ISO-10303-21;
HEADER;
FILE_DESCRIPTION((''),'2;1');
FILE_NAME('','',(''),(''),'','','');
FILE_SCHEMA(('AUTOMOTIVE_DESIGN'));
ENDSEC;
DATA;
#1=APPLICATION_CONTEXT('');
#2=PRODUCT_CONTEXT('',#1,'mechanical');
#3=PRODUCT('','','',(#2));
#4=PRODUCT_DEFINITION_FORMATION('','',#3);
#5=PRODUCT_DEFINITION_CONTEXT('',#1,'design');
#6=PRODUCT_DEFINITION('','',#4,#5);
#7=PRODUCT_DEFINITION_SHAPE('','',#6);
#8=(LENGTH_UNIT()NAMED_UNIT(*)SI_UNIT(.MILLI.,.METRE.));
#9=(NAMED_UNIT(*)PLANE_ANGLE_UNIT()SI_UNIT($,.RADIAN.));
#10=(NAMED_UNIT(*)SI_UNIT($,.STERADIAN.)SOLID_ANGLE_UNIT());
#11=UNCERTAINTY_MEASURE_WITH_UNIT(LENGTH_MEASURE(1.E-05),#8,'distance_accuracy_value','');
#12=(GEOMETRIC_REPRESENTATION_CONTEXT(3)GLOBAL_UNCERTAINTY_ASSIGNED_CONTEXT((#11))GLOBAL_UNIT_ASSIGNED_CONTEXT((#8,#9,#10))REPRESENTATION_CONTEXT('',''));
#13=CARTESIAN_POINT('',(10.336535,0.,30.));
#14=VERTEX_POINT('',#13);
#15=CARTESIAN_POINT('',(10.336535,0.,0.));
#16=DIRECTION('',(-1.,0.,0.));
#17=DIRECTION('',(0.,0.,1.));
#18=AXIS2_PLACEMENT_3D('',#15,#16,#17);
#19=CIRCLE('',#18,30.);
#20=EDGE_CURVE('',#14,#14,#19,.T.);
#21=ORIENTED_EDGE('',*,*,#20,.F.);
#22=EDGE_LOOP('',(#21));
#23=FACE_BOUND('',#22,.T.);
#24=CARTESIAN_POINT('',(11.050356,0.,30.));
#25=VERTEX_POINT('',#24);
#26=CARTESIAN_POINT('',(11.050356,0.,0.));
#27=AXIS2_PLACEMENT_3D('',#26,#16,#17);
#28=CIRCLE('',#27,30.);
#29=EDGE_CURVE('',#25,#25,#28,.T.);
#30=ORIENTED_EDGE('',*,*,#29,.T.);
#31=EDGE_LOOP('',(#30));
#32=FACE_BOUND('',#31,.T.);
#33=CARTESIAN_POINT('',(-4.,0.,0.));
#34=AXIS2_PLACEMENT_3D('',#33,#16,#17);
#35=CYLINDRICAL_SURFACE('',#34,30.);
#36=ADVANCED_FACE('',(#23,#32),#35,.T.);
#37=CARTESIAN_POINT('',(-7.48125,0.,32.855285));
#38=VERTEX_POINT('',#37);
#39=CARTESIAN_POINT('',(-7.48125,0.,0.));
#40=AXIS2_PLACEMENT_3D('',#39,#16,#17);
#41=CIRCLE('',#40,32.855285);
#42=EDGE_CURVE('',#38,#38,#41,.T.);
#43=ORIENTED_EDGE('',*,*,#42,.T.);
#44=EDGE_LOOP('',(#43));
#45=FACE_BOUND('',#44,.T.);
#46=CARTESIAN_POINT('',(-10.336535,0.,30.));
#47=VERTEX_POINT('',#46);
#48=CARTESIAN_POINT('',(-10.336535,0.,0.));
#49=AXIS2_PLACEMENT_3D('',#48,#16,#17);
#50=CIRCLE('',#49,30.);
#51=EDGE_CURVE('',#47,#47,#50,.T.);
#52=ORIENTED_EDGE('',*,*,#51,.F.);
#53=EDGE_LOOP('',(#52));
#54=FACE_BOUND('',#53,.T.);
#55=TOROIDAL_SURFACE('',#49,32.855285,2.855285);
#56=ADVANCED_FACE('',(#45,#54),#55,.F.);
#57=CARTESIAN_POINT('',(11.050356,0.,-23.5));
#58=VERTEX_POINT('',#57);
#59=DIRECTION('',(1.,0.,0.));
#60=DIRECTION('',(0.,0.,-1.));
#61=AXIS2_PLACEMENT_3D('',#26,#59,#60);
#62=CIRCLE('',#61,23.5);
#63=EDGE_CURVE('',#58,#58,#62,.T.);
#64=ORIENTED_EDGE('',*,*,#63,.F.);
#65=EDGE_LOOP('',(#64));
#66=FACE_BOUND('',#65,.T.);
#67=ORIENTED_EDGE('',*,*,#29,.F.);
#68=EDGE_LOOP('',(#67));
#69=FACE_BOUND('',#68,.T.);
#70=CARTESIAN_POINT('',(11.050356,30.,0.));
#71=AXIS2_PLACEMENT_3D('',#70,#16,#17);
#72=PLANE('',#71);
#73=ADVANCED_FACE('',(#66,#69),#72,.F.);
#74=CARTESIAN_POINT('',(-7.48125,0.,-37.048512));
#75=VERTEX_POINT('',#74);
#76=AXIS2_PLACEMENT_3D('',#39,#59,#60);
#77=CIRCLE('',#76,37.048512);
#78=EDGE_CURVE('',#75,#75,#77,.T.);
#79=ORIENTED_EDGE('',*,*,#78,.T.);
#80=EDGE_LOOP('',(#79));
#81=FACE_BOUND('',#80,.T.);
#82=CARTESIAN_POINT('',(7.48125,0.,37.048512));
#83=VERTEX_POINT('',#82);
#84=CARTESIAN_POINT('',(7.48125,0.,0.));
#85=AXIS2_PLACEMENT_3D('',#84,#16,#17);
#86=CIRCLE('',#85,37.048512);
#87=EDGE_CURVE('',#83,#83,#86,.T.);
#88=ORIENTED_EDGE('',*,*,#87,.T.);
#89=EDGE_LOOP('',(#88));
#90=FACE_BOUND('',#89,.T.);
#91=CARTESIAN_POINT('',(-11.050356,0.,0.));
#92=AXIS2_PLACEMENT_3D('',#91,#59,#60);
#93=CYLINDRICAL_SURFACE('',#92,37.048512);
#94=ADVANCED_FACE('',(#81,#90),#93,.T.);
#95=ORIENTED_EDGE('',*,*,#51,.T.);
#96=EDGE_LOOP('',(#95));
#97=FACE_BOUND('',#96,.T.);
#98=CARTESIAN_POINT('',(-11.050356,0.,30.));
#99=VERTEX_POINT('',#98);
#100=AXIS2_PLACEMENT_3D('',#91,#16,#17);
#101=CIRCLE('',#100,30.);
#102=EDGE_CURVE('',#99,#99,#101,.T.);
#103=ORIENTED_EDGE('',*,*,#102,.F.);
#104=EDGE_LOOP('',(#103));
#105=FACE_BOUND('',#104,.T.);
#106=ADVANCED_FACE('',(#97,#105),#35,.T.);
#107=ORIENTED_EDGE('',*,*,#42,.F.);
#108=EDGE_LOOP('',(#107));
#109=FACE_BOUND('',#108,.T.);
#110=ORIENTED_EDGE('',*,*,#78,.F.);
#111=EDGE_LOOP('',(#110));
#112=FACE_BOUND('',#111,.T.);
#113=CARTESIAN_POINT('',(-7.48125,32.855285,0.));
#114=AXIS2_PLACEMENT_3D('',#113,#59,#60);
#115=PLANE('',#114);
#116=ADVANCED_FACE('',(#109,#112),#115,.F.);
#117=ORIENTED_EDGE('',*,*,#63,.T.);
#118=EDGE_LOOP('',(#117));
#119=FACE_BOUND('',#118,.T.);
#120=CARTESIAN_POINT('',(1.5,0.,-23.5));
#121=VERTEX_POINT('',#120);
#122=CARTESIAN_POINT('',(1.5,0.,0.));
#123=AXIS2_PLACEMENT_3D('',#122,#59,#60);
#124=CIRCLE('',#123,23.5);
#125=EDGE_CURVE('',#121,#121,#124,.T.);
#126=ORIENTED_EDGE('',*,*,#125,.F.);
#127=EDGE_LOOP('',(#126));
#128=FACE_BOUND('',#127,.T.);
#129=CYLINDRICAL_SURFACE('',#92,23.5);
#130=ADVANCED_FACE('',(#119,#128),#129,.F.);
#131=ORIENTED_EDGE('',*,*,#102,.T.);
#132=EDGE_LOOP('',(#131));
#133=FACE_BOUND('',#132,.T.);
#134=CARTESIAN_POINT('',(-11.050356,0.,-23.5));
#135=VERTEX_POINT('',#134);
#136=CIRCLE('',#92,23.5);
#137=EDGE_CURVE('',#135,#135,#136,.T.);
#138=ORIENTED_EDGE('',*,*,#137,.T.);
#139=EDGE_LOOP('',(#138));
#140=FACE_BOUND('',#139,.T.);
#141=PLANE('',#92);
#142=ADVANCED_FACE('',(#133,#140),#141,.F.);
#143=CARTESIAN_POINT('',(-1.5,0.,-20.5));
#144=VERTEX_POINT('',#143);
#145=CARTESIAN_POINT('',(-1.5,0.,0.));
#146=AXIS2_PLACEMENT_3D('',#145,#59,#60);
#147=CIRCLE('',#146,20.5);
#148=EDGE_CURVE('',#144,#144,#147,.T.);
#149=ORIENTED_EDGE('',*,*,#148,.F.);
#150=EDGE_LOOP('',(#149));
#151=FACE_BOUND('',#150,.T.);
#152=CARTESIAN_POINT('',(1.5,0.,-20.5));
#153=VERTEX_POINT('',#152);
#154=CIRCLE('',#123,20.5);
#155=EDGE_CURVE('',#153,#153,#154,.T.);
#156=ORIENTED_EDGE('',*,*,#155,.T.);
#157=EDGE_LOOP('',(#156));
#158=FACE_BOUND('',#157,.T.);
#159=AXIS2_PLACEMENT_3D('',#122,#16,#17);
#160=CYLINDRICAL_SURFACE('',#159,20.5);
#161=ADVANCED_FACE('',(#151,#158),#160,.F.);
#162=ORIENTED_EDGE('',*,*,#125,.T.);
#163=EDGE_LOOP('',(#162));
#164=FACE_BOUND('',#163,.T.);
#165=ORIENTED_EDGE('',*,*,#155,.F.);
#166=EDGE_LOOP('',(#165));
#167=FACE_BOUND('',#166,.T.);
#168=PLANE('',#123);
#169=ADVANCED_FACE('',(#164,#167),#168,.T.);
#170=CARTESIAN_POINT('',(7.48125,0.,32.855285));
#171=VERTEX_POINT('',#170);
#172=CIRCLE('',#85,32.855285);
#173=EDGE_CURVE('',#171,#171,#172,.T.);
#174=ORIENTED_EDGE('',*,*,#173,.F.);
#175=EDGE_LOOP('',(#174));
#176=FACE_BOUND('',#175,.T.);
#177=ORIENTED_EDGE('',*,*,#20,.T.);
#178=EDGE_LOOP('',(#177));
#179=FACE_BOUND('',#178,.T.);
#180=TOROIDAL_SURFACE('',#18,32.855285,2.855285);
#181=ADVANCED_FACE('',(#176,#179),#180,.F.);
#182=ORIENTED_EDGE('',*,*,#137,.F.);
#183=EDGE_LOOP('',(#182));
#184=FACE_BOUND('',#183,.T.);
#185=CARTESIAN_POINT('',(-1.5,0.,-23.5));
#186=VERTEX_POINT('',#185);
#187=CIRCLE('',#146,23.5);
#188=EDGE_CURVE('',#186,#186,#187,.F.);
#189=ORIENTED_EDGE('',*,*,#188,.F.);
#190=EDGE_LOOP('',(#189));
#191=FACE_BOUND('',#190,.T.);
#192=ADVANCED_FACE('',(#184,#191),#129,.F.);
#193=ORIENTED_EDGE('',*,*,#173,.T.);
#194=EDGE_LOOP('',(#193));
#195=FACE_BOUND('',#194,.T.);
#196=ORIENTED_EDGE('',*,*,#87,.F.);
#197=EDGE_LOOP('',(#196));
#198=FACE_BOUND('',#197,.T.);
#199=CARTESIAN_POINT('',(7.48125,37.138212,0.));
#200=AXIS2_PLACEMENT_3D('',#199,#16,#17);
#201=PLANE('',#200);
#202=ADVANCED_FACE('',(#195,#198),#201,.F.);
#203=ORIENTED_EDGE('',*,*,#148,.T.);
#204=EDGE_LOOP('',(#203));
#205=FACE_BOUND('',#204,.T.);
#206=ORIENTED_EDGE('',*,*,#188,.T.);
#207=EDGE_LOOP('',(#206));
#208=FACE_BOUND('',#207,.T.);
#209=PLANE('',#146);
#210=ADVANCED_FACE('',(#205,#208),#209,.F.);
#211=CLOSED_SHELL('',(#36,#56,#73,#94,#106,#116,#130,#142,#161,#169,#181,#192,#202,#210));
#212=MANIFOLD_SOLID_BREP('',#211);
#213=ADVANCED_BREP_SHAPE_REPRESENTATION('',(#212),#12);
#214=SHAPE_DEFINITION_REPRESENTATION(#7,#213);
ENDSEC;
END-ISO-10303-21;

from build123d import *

# Parameters (mm, degrees)
EXTRUDECUTONE_DEPTH     = 10.800356134
PATTERNONE_COUNT        = 11
CUT_EXTRUDEA_DEPTH      = 72.376396027
CUT_EXTRUDEA_DEPTH_BACK = 72.376396027
SKETCHHOLE_R            = 23.5
SKETCH_3_OUTSIDE_W      = 129.786
SKETCH_3_OUTSIDE_H      = 128.809
SKETCH_3_OUTSIDE_R      = 37.048512268
CUT_EXTRUDE_4_DEPTH     = 74.898044777
SKETCH_4_R              = 23.5
SKETCH_4_R_2            = 20.5
EXTRUDE_1_DEPTH         = 1.5


with BuildPart() as part:
    # Sketch1 → Revolve 2 (revolve)
    with BuildSketch(Plane.XY):
        with BuildLine():
            Line((-11.050356134, 0), (-11.050356134, 30))
            Line((-11.050356134, 30), (-10.336534907, 30))
            ThreePointArc((-10.336534907, 30), (-8.317543587, 30.836293587), (-7.48125, 32.855284907))
            Line((-7.48125, 32.855284907), (-7.48125, 37.138212268))
            ThreePointArc((-7.48125, 37.138212268), (-6.685622836, 43.788705552), (-4.17925, 50))
            Line((-4.17925, 50), (4.17925, 50))
            ThreePointArc((4.17925, 50), (6.685622836, 43.788705552), (7.48125, 37.138212268))
            Line((7.48125, 37.138212268), (7.48125, 32.855284907))
            ThreePointArc((7.48125, 32.855284907), (8.317543587, 30.836293587), (10.336534907, 30))
            Line((10.336534907, 30), (11.050356134, 30))
            Line((11.050356134, 30), (11.050356134, 0))
            Line((11.050356134, 0), (-11.050356134, 0))
        make_face()
    revolve(axis=Axis((-4, 0, 0), (1, 0, 0)))

    # Sketch2 → ExtrudeCutOne (cut, symmetric)
    with BuildSketch(Plane(origin=(0, 0, 0), x_dir=(0, 0, -1), z_dir=(1, 0, 0))):
        with BuildLine():
            Line((8.716675765, 43.732789559), (9.255531143, 44.765919154))
            ThreePointArc((9.255531143, 44.765919154), (10.574511832, 46.771349182), (12.269067769, 48.471331487))
            ThreePointArc((12.269067769, 48.471331487), (0, 50), (-12.269067769, 48.471331487))
            ThreePointArc((-12.269067769, 48.471331487), (-10.574511832, 46.771349182), (-9.255531143, 44.765919154))
            Line((-9.255531143, 44.765919154), (-8.716675765, 43.732789559))
            ThreePointArc((-8.716675765, 43.732789559), (-7.522276521, 41.726996037), (-6.109966983, 39.868184863))
            ThreePointArc((-6.109966983, 39.868184863), (0, 37.048512268), (6.109966983, 39.868184863))
            ThreePointArc((6.109966983, 39.868184863), (7.522276521, 41.726996037), (8.716675765, 43.732789559))
        make_face()
    extrudecutone = extrude(amount=EXTRUDECUTONE_DEPTH, both=True, mode=Mode.SUBTRACT)

    # PatternOne: ExtrudeCutOne ×11 about axis
    patternone_axis = Axis((-4, 0, 0), (1, 0, 0))
    for i in range(1, PATTERNONE_COUNT):
        add(extrudecutone.rotate(patternone_axis, i * 360 / PATTERNONE_COUNT), mode=Mode.SUBTRACT)

    # SketchHole → Cut-ExtrudeA (cut, two sides: drawn at the far end of the back side and taken through both)
    with BuildSketch(Plane(origin=(0, 0, 0), x_dir=(0, 0, -1), z_dir=(1, 0, 0)).offset(-CUT_EXTRUDEA_DEPTH_BACK)):
        Circle(SKETCHHOLE_R)
    extrude(amount=CUT_EXTRUDEA_DEPTH + CUT_EXTRUDEA_DEPTH_BACK, mode=Mode.SUBTRACT)

    # 草图3 outside → 切除-拉伸4 (cut, through all)
    with BuildSketch(Plane(origin=(11.050356134, 0, 0), x_dir=(0, 0, -1), z_dir=(1, 0, 0))):
        with Locations((0, -0.7645)):
            Rectangle(SKETCH_3_OUTSIDE_W, SKETCH_3_OUTSIDE_H)
        Circle(SKETCH_3_OUTSIDE_R, mode=Mode.SUBTRACT)
    extrude(amount=-CUT_EXTRUDE_4_DEPTH, mode=Mode.SUBTRACT)

    # 草图4 → 凸台-拉伸1 (add, symmetric)
    with BuildSketch(Plane(origin=(0, 0, 0), x_dir=(0, 0, -1), z_dir=(1, 0, 0))):
        Circle(SKETCH_4_R)
        Circle(SKETCH_4_R_2, mode=Mode.SUBTRACT)
    extrude(amount=EXTRUDE_1_DEPTH, both=True)


solid = part.part
